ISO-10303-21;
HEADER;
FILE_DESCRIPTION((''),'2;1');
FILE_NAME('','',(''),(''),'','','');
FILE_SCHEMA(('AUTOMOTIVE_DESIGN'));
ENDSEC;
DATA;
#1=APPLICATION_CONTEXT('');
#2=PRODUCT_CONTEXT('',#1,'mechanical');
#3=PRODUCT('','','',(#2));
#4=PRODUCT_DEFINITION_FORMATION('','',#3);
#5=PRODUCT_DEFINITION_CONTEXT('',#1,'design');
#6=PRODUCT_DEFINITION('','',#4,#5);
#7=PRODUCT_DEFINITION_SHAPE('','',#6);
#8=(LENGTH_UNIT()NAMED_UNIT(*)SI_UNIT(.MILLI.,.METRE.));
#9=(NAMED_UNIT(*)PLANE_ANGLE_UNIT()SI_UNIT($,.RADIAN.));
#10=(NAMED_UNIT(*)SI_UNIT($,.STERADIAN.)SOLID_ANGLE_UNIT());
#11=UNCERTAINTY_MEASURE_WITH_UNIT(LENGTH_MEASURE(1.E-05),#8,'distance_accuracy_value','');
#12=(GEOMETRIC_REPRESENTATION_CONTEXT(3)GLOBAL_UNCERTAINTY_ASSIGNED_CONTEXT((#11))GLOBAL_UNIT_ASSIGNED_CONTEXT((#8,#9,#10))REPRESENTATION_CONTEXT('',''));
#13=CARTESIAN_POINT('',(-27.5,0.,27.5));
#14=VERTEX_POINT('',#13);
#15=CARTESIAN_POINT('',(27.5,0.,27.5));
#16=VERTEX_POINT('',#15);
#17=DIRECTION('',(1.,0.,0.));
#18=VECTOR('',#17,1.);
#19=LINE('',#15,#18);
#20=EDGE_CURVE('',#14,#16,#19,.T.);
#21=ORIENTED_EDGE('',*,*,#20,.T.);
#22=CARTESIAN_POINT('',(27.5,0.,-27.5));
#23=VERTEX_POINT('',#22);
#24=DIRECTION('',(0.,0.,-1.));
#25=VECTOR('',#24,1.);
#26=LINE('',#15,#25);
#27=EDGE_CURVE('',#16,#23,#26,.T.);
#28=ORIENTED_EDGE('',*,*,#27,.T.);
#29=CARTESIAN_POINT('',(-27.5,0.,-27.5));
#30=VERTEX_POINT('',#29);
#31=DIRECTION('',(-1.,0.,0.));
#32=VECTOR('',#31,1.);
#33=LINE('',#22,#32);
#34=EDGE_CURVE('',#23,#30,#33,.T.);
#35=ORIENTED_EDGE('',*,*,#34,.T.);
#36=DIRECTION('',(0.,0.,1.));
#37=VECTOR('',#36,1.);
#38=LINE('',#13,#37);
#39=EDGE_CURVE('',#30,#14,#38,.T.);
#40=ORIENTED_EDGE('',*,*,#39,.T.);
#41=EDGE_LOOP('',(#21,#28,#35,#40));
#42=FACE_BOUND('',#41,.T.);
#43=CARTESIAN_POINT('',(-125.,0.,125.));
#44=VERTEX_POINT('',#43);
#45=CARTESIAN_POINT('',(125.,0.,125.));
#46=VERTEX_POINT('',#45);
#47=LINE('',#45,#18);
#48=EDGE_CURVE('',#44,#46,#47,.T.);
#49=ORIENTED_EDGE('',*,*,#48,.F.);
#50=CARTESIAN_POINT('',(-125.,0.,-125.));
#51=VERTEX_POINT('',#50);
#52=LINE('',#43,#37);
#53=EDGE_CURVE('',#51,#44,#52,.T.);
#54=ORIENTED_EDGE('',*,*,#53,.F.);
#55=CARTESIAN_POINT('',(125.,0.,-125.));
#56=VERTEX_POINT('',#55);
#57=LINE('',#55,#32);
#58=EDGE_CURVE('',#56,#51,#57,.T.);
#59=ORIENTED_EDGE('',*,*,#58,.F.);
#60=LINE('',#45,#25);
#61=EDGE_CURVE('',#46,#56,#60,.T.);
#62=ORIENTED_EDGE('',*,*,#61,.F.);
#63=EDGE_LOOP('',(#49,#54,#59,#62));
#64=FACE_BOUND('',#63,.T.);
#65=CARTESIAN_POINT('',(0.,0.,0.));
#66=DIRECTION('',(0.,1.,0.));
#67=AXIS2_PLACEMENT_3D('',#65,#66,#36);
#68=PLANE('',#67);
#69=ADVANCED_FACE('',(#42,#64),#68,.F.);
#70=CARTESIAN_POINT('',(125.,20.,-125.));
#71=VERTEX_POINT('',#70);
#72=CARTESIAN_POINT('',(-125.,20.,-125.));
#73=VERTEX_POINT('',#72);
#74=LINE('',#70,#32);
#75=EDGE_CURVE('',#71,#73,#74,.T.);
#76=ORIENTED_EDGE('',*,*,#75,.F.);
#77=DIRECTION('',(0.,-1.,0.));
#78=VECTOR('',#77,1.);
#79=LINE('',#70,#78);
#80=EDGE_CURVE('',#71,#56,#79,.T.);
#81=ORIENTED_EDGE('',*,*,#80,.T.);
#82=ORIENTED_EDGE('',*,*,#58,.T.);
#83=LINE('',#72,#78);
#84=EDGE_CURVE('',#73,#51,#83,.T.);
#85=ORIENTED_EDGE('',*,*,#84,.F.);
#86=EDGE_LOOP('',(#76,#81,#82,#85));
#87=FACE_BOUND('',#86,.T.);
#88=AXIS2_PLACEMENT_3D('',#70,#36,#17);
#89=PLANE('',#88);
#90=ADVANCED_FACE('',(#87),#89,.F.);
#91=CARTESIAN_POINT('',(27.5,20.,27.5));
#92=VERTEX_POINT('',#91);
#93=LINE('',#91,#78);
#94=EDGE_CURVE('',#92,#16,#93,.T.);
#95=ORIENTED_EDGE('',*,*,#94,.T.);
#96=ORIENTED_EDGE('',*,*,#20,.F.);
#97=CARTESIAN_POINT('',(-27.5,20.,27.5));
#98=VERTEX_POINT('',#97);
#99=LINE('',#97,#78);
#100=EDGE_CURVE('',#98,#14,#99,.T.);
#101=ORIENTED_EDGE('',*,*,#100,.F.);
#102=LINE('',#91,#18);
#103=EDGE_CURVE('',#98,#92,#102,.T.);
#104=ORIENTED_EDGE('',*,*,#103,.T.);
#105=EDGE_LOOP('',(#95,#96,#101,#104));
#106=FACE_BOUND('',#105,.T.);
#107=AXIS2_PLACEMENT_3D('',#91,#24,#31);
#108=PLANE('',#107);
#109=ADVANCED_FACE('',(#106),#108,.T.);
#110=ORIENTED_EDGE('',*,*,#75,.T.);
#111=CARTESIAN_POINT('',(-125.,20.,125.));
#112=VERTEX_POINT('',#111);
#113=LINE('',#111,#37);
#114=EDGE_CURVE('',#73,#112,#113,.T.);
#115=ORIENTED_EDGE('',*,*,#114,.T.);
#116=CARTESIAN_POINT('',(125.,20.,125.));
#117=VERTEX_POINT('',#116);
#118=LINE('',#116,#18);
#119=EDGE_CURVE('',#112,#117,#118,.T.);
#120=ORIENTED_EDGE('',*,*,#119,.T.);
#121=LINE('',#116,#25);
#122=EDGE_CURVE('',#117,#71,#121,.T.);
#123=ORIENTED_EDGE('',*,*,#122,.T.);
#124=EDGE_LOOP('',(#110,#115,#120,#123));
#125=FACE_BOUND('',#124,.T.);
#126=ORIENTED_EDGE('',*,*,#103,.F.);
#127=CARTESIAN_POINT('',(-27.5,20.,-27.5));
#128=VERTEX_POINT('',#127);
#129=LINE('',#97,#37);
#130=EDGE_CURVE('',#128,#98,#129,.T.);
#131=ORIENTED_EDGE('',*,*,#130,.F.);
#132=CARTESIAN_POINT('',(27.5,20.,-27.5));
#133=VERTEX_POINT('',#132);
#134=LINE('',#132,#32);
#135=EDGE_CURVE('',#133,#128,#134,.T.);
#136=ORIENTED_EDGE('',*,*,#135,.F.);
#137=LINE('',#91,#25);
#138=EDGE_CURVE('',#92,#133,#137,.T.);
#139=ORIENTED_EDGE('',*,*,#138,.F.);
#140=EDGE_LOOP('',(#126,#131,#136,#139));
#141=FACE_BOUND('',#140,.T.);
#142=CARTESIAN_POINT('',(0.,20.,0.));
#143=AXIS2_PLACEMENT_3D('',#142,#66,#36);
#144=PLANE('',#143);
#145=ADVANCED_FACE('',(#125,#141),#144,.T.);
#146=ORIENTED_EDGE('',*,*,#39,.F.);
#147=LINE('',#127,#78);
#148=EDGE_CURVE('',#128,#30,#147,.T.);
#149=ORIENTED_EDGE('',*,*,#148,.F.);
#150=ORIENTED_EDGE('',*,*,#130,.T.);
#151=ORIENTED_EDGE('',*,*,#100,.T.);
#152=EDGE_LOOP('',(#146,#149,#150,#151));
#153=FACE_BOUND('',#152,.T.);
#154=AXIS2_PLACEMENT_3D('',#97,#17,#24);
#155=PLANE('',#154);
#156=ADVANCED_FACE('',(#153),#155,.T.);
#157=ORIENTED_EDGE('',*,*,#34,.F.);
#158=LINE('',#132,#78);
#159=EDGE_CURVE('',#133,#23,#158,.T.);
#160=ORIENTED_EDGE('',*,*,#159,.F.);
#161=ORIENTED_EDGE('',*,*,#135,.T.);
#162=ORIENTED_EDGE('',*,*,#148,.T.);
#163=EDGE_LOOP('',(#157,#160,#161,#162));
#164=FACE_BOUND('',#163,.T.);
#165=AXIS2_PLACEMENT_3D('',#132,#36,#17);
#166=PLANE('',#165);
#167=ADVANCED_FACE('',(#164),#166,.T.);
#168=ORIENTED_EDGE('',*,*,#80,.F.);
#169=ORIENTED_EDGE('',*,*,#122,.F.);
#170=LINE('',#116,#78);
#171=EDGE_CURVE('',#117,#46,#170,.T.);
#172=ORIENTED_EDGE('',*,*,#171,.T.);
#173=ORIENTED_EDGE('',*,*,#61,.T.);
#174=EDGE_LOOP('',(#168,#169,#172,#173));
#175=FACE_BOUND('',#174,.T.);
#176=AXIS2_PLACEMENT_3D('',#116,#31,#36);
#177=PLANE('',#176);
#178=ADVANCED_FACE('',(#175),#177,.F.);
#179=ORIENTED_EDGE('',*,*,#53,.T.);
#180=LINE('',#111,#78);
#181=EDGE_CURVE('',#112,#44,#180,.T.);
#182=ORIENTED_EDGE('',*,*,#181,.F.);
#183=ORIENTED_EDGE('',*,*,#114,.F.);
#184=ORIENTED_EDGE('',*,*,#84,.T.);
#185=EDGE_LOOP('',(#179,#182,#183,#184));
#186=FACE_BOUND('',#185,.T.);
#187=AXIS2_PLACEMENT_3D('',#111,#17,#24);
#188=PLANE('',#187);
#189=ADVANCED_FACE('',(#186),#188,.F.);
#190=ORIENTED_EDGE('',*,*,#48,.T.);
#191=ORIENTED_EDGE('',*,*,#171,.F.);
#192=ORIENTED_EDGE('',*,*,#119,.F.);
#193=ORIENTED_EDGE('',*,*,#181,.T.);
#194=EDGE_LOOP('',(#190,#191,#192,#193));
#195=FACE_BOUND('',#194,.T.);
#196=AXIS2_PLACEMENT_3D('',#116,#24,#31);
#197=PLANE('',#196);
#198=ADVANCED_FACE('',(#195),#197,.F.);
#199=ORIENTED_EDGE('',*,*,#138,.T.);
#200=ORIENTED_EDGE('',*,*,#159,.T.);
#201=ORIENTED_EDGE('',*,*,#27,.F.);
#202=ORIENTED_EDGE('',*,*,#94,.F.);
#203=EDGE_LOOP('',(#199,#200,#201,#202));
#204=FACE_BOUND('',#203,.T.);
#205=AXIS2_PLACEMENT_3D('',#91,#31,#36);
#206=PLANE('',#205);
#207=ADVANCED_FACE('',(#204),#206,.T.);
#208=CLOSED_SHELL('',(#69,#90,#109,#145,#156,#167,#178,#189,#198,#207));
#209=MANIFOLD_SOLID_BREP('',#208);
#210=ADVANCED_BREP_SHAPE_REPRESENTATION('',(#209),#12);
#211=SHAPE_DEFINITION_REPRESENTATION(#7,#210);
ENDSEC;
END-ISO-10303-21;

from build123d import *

# Parameters (mm, degrees)
SKETCH1_W           = 250
SKETCH1_H           = 250
SKETCH1_W_2         = 55
SKETCH1_H_2         = 55
BOSS_EXTRUDE1_DEPTH = 20


with BuildPart() as part:
    # Sketch1 → Boss-Extrude1 (new body)
    with BuildSketch(Plane(origin=(0, 0, 0), x_dir=(1, 0, 0), z_dir=(0, 1, 0))):
        Rectangle(SKETCH1_W, SKETCH1_H)
        Rectangle(SKETCH1_W_2, SKETCH1_H_2, mode=Mode.SUBTRACT)
    extrude(amount=BOSS_EXTRUDE1_DEPTH)


solid = part.part
